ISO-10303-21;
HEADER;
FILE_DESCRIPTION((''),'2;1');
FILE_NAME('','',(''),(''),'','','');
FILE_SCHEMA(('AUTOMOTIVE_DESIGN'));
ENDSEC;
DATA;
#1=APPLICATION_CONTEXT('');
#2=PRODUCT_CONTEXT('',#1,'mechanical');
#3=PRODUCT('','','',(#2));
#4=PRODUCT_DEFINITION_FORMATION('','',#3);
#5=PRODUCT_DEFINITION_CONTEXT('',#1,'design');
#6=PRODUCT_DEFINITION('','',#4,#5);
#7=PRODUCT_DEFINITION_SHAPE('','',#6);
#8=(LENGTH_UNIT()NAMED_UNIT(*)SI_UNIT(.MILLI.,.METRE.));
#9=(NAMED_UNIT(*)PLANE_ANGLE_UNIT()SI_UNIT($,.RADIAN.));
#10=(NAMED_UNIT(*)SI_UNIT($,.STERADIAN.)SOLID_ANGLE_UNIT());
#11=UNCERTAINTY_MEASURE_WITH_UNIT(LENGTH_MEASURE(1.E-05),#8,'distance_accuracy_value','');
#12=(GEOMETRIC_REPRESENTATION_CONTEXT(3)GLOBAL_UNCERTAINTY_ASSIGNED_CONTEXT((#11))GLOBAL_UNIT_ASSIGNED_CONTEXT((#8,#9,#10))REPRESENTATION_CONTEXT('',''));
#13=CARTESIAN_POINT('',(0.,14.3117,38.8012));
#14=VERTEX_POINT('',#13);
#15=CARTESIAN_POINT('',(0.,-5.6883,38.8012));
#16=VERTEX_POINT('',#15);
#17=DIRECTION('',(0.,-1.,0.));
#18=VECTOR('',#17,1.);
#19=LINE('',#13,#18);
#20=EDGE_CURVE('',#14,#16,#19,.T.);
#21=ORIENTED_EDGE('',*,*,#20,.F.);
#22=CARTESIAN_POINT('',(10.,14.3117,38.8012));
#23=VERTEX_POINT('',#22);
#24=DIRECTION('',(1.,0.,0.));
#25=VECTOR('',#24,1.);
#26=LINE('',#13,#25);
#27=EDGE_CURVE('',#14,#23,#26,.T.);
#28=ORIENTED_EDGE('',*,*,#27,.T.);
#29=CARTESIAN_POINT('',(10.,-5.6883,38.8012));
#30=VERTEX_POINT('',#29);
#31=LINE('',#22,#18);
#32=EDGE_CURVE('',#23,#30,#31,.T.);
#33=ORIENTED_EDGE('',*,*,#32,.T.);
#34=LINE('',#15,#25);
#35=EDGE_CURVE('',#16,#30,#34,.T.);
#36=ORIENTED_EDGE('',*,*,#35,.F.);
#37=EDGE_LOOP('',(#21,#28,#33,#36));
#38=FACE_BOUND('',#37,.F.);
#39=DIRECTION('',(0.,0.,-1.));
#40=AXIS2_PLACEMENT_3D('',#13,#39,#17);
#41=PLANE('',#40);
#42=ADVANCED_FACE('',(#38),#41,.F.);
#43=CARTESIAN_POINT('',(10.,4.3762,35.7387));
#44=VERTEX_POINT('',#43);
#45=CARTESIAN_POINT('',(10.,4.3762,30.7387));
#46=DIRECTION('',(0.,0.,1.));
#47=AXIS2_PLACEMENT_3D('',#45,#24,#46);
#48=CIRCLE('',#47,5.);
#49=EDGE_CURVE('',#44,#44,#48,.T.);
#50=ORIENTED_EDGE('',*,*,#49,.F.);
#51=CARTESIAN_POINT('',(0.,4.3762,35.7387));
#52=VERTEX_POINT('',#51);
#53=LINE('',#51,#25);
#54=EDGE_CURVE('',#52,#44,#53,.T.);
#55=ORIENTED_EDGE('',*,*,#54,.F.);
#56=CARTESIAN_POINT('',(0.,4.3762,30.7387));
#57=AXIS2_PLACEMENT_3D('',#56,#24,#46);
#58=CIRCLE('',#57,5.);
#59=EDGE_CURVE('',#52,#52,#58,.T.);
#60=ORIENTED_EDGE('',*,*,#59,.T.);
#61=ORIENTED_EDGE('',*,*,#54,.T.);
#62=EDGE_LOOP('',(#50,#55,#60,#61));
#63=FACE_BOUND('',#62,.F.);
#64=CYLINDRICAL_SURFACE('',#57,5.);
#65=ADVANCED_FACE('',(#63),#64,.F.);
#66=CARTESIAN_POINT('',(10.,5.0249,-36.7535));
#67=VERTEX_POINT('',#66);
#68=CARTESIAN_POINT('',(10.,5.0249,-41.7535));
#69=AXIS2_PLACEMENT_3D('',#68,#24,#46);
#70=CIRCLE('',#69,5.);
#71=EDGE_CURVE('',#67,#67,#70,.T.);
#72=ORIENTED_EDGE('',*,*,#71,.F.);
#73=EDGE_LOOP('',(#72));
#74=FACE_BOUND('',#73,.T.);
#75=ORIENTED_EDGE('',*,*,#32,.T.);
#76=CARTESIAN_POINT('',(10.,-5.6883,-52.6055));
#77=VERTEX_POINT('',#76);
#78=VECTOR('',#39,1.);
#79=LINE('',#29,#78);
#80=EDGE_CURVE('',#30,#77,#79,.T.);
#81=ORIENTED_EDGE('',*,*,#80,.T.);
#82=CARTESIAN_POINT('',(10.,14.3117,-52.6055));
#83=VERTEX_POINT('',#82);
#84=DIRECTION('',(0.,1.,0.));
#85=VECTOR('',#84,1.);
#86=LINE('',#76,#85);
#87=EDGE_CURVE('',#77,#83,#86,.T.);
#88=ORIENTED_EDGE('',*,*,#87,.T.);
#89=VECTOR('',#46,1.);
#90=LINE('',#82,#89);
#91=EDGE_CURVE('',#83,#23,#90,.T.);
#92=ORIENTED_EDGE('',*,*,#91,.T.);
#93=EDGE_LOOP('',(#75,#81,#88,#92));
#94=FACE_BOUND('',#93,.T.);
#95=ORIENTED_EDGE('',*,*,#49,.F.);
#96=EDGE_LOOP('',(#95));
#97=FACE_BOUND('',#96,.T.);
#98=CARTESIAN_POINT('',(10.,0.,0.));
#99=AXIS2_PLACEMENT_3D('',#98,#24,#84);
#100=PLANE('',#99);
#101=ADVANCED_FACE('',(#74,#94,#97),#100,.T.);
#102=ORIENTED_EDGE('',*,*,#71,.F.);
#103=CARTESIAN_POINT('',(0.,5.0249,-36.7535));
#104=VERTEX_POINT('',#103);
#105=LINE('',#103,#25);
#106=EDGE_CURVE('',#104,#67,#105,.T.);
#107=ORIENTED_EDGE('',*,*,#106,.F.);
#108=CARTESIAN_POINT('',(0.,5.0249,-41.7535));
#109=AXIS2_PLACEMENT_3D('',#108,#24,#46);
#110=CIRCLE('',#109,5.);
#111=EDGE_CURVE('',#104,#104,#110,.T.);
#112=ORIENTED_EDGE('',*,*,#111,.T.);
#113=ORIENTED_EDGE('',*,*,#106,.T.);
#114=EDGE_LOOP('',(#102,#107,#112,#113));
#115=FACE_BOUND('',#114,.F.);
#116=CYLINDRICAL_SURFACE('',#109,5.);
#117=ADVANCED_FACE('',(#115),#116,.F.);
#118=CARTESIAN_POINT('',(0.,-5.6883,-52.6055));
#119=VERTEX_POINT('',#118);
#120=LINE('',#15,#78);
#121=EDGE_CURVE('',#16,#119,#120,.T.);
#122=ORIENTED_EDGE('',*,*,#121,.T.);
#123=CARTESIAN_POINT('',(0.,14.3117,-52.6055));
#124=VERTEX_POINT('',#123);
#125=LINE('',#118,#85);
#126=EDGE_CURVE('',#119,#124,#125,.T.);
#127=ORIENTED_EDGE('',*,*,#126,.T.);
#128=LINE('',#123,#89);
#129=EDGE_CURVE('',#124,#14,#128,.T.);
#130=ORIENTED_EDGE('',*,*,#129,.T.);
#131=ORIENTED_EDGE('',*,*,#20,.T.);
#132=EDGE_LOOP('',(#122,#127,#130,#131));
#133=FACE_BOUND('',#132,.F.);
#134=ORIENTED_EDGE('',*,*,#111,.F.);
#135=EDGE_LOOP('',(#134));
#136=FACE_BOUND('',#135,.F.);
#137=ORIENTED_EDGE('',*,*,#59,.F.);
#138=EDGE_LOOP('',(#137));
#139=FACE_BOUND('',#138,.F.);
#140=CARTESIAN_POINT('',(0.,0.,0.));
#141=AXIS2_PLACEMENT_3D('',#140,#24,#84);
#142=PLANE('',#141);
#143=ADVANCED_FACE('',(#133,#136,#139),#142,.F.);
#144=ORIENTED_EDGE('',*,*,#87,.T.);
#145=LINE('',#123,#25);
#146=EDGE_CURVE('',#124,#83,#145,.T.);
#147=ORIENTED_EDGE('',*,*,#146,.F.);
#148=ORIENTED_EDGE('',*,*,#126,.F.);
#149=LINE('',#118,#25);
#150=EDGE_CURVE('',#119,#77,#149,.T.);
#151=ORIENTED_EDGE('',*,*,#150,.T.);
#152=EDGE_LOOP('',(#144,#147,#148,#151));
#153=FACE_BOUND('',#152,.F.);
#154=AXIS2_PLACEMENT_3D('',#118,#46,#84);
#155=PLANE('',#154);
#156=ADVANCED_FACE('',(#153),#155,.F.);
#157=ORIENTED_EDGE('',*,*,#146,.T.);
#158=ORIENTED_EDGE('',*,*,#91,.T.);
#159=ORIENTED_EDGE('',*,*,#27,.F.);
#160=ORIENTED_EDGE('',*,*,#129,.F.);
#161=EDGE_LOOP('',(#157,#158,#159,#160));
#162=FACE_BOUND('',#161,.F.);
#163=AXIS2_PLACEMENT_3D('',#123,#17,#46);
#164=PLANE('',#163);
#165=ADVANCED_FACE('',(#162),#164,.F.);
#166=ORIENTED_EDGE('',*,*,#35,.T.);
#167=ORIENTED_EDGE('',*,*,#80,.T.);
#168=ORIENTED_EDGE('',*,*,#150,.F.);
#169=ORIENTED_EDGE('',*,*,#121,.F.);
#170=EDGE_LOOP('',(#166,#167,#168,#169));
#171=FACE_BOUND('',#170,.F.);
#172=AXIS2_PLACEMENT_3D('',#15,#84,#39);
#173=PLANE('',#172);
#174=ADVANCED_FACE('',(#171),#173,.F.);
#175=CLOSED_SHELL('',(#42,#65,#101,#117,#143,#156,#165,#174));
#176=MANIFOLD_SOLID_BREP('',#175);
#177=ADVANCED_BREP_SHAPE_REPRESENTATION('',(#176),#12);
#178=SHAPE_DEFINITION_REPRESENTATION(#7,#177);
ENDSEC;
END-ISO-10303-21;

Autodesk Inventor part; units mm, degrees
ref_plane "YZ Plane" through (0, 0, 0) normal (1, 0, 0) x (0, 1, 0)
ref_plane "XZ Plane" through (0, 0, 0) normal (0, 1, 0) x (-1, 0, 0)
ref_plane "XY Plane" through (0, 0, 0) normal (0, 0, 1) x (1, 0, 0)
sketch "Sketch1" plane through (0, 0, 0) normal (1, 0, 0) x (0, 1, 0)
  line L0 (14.3117, 38.8012) -> (-5.6883, 38.8012)
  line L1 (-5.6883, 38.8012) -> (-5.6883, -52.6055)
  line L2 (-5.6883, -52.6055) -> (14.3117, -52.6055)
  line L3 (14.3117, -52.6055) -> (14.3117, 38.8012)
  point P0 (0, 0)
  dimension "d1" = 20
extrude "Extrusion1" add sketch "Sketch1" along normal blind 10
sketch "Sketch2" plane through (0, 0, 0) normal (-1, 0, 0) x (0, 0, 1)
  point P0 (0, 0)
  point P1 (30.7387, 4.3762)
hole "Hole1" at (0, 4.3762, 30.7387) direction (1, 0, 0) diameter 10 end through all
sketch "Sketch3" plane through (0, 0, 0) normal (-1, 0, 0) x (0, 0, 1)
  point P0 (0, 0)
  point P1 (-41.7535, 5.0249)
hole "Hole2" at (0, 5.0249, -41.7535) direction (1, 0, 0) diameter 10 end through all
properties part number "expo arm" material "PVC, Unplasticized"
